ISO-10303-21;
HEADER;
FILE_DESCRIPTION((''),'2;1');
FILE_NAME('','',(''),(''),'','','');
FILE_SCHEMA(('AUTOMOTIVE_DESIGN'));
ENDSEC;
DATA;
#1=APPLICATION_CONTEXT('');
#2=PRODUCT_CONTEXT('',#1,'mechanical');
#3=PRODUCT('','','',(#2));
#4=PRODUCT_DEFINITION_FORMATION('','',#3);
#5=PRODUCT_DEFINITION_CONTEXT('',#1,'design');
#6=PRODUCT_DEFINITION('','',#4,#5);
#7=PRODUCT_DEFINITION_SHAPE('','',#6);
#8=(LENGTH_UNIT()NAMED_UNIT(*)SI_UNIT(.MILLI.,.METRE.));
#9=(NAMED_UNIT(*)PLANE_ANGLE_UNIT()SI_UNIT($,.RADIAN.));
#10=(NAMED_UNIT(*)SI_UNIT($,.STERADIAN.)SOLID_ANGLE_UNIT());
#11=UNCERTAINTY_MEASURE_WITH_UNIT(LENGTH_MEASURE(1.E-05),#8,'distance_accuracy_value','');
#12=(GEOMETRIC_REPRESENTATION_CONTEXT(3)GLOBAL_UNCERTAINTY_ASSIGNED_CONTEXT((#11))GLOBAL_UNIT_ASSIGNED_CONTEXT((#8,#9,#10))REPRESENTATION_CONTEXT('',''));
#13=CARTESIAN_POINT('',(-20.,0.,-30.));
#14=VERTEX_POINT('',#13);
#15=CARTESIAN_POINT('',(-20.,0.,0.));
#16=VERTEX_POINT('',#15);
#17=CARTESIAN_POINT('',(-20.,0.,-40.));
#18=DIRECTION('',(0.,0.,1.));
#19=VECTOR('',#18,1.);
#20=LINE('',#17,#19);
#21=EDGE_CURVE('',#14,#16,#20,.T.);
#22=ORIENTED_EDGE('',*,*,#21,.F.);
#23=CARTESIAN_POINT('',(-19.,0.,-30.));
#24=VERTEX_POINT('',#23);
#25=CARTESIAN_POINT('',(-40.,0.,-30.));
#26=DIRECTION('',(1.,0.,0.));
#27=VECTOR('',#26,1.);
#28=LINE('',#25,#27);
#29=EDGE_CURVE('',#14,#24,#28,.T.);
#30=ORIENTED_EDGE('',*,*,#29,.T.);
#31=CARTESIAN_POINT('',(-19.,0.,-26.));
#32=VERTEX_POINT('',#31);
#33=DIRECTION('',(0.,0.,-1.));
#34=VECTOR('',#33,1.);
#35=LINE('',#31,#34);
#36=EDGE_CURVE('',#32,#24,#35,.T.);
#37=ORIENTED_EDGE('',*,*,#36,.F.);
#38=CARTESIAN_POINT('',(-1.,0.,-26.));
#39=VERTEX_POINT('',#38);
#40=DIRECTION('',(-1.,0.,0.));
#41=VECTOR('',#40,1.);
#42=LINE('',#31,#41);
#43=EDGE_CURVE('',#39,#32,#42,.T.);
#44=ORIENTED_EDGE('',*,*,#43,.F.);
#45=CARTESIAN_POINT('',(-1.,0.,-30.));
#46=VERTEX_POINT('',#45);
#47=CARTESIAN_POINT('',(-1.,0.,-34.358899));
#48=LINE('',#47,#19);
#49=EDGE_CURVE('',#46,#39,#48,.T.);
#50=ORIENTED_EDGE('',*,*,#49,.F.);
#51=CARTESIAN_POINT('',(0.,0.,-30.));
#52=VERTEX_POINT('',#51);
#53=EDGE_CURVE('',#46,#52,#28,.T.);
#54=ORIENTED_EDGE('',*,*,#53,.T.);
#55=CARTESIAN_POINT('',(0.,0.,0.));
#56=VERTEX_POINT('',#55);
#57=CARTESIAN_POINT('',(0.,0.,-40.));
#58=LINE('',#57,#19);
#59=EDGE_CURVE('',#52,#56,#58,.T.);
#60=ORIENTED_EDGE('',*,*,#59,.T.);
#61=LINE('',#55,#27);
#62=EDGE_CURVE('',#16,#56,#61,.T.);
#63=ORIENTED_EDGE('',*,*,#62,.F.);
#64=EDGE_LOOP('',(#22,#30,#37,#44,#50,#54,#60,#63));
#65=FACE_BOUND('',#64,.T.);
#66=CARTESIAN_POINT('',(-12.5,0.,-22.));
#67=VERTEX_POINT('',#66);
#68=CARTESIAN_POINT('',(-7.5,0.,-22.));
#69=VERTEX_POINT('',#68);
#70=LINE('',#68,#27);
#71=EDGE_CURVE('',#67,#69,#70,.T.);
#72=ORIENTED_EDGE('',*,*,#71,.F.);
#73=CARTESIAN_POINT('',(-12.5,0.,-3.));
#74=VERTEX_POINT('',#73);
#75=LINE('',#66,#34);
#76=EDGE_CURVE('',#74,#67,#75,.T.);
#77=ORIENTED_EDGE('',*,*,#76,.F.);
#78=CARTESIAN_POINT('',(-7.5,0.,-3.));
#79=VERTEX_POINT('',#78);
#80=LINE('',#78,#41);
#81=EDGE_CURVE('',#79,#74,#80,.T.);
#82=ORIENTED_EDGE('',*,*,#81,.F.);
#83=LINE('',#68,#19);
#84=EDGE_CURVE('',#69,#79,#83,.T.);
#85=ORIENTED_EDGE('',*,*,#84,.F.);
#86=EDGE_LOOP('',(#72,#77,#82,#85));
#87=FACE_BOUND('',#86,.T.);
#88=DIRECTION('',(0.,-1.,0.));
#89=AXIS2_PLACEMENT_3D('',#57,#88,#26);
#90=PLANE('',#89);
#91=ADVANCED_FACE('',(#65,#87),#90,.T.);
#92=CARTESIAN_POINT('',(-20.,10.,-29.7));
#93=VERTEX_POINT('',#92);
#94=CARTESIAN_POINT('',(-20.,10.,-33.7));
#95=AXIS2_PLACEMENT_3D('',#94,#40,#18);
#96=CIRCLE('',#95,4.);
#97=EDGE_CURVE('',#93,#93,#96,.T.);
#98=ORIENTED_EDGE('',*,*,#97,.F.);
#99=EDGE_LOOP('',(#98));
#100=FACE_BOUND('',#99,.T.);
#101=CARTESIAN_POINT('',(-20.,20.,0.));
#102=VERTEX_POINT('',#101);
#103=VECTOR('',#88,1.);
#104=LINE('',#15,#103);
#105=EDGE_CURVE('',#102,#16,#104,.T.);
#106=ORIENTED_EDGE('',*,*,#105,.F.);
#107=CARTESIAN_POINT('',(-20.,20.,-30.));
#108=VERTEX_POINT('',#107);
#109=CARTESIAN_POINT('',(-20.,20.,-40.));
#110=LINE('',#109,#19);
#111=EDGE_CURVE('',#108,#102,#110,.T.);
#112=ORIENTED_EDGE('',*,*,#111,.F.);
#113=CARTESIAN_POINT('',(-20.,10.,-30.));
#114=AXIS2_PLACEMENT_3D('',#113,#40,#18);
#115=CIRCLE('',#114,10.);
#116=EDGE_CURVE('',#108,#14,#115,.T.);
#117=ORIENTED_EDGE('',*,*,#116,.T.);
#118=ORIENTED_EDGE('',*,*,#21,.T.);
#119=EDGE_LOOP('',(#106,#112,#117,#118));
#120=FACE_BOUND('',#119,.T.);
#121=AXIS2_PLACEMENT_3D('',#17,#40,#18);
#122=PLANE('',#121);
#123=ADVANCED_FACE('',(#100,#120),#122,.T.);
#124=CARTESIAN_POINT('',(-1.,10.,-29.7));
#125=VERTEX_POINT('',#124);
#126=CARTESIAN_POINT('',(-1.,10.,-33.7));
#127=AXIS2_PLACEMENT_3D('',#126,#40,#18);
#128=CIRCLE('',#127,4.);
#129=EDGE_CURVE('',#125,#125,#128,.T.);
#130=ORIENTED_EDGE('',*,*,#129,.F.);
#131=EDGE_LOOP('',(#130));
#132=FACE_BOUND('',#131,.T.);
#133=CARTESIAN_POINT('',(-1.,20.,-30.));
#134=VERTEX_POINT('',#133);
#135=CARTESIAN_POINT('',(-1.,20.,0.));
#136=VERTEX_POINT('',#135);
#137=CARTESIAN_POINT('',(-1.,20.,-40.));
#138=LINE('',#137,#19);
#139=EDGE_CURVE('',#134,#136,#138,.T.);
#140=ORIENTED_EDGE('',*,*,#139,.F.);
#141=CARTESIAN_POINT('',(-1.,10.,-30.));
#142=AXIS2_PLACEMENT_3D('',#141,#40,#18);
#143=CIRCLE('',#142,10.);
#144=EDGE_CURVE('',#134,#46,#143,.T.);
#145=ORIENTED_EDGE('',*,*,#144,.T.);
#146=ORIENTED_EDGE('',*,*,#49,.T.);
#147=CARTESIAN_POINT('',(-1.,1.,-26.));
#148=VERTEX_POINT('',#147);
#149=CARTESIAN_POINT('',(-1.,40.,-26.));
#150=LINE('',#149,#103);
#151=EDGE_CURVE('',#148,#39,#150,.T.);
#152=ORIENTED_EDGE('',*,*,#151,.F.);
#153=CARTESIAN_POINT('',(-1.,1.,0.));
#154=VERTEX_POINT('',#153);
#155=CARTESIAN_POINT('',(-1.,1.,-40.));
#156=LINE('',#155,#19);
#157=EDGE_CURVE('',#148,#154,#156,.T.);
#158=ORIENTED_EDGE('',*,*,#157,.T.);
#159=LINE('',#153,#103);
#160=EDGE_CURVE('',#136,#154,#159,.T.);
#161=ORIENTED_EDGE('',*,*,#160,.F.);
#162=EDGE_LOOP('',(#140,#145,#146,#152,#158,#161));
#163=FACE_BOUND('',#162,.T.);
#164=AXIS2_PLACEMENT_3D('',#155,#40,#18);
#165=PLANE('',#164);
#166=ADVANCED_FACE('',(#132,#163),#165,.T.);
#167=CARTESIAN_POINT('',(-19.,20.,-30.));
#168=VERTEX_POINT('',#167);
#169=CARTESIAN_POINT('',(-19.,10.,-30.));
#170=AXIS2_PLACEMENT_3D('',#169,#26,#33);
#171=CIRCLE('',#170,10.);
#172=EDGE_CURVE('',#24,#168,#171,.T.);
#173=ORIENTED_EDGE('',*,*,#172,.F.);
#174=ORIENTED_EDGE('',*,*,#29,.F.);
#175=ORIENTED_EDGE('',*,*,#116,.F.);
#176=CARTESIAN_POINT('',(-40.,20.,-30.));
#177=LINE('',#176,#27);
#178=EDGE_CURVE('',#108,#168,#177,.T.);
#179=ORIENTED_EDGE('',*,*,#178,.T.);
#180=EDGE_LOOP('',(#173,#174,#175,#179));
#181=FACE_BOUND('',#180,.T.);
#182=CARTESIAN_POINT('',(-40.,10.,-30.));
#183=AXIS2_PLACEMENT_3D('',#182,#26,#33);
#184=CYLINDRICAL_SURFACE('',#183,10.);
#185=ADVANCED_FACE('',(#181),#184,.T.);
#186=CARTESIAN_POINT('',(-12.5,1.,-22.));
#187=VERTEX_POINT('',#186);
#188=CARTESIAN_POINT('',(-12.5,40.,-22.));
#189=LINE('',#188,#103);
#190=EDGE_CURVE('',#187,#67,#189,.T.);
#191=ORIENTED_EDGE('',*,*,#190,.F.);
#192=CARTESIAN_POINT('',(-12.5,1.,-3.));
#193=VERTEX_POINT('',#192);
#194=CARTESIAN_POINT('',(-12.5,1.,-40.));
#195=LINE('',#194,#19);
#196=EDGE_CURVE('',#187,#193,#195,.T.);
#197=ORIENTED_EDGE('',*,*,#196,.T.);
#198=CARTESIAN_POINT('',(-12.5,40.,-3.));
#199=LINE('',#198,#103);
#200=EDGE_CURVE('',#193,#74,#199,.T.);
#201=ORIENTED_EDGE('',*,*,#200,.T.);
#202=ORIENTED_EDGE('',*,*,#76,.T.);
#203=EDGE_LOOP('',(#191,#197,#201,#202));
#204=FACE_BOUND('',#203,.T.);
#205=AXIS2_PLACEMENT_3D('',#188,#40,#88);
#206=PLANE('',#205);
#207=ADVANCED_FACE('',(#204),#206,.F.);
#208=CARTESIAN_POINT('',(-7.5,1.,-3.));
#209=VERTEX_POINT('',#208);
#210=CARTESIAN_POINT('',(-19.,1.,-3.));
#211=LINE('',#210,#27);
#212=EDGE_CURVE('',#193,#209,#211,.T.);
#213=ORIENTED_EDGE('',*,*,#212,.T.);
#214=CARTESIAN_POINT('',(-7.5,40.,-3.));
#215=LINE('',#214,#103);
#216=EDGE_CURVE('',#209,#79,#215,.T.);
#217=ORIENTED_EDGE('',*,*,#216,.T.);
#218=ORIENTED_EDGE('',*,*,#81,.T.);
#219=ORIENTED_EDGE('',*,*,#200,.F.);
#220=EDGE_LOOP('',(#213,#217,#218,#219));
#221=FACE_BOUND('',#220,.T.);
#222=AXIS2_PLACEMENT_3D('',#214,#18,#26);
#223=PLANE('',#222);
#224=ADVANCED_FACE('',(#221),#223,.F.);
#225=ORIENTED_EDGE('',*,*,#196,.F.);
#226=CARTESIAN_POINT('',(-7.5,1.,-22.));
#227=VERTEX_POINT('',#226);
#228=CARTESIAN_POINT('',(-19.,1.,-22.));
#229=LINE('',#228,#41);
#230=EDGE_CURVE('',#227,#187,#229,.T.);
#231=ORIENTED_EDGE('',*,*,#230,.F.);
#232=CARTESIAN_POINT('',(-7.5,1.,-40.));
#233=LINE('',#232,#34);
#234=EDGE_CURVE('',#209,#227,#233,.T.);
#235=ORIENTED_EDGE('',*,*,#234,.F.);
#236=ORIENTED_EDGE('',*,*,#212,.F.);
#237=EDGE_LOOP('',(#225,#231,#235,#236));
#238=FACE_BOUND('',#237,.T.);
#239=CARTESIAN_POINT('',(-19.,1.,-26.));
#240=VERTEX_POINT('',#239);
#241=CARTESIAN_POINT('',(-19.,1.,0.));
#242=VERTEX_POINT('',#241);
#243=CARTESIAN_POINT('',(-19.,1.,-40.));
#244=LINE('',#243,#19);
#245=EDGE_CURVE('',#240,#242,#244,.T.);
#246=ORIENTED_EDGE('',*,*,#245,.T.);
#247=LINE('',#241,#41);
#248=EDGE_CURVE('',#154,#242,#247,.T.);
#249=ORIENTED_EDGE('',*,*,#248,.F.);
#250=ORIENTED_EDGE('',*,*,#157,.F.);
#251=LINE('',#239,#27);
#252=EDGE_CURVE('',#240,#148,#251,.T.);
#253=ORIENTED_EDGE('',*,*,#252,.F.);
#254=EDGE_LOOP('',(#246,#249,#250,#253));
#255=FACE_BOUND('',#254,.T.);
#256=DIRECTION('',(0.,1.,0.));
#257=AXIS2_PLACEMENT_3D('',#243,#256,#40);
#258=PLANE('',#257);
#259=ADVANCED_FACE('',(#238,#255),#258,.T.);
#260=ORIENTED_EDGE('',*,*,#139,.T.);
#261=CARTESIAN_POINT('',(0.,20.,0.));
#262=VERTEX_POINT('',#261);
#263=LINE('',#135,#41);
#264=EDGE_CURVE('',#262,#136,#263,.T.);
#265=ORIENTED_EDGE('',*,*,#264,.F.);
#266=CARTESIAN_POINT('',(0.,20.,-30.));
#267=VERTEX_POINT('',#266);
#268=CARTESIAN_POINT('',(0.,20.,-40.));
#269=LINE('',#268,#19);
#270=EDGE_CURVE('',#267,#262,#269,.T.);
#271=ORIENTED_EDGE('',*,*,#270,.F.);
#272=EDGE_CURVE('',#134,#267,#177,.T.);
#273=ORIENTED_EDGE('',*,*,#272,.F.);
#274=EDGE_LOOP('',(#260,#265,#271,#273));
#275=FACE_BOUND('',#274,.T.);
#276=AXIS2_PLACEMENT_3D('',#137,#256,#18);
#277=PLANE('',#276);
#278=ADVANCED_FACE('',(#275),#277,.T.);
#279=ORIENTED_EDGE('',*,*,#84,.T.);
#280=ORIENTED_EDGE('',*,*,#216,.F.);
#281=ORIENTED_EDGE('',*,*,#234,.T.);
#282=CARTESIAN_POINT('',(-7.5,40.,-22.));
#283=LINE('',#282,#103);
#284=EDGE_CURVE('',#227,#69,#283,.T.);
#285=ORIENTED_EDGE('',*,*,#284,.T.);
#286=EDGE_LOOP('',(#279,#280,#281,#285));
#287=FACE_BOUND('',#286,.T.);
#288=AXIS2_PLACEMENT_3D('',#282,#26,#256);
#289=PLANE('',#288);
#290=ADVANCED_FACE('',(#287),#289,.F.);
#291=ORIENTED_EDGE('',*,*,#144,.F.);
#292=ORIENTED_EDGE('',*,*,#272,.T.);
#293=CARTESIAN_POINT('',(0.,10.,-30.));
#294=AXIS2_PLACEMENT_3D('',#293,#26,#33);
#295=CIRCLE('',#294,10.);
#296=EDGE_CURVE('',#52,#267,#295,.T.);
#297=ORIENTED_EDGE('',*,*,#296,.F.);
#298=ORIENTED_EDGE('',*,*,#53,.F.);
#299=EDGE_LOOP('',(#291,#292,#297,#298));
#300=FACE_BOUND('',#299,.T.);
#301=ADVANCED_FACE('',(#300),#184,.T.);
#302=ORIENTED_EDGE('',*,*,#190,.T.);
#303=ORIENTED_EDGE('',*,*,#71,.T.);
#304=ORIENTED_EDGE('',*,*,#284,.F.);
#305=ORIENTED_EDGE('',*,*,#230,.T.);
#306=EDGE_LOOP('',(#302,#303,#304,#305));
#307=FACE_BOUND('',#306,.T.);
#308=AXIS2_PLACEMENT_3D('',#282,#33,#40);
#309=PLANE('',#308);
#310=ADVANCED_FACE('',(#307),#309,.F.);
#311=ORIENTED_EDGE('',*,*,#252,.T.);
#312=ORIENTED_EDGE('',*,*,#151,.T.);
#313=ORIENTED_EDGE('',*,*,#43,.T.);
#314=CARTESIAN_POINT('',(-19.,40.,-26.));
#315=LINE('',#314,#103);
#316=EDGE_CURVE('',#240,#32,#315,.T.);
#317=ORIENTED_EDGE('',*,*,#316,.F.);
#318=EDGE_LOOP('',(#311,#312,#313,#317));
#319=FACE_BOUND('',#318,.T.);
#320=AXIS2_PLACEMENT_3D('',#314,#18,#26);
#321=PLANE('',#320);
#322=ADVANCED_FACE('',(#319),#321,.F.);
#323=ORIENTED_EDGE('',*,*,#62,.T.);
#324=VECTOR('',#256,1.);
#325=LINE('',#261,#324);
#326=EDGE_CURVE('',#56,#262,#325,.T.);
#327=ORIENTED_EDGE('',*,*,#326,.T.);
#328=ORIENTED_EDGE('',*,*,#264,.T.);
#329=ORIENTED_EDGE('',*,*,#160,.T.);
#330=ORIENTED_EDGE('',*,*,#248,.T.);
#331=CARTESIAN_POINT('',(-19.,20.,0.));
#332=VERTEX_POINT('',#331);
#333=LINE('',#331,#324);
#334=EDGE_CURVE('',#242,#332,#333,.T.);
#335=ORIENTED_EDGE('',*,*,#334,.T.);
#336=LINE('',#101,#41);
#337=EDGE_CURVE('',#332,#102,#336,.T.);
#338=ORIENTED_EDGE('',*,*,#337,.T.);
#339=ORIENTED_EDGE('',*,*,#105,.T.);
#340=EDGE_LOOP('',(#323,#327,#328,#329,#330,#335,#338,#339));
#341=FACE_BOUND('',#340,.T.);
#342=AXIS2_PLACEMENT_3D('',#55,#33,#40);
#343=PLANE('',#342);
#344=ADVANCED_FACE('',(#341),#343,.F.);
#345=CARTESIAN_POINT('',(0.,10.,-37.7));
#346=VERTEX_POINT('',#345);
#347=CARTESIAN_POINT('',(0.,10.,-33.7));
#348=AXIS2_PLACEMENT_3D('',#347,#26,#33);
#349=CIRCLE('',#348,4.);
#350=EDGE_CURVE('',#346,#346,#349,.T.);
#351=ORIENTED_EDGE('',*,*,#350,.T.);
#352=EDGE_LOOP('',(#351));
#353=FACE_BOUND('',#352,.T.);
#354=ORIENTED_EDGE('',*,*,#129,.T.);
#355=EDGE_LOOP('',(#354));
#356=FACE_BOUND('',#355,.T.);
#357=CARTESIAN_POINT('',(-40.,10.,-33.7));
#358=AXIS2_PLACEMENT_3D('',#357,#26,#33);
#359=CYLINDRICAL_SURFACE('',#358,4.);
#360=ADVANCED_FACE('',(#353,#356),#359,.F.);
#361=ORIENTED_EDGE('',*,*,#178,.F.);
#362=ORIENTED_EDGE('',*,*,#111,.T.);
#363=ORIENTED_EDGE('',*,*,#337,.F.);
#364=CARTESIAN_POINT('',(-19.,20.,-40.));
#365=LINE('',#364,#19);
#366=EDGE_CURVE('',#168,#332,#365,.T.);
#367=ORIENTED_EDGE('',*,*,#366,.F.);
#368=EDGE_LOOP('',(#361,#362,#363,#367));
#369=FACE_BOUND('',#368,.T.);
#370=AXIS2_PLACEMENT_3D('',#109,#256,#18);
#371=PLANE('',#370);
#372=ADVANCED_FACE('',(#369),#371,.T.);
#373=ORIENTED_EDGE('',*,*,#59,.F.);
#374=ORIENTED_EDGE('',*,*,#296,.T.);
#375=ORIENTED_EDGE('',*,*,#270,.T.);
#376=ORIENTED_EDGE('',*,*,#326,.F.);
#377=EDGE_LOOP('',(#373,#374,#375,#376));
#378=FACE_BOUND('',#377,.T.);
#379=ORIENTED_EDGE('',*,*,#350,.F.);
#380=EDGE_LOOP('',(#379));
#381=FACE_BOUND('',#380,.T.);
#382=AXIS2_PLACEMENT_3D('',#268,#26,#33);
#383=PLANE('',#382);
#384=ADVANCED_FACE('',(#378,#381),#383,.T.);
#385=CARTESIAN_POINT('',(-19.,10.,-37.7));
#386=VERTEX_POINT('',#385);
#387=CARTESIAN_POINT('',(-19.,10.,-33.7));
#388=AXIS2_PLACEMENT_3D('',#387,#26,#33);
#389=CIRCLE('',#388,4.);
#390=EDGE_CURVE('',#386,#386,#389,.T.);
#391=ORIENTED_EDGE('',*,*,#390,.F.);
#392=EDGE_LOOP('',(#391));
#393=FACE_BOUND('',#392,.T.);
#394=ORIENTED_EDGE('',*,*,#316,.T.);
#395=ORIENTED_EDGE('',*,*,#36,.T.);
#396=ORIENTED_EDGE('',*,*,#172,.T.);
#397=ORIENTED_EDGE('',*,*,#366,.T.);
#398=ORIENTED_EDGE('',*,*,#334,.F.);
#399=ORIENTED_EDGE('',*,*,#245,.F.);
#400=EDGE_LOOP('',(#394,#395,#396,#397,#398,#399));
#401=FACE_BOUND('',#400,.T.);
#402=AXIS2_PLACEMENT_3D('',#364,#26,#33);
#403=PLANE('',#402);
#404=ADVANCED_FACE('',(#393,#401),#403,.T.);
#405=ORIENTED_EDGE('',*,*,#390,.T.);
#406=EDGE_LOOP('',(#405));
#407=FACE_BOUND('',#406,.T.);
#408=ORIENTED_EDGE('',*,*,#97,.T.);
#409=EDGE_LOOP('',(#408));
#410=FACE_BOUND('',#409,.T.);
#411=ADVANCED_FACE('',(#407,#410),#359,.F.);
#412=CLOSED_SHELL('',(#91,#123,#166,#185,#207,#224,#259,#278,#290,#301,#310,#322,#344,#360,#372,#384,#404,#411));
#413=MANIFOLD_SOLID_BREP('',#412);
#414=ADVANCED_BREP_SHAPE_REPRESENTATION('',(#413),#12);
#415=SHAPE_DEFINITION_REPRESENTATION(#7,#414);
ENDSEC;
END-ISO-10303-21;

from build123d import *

# Parameters (mm, degrees)
SALIENTE_EXTRUIR1_DEPTH = 40
CORTAR_EXTRUIR1_DEPTH   = 40
CROQUIS3_R              = 4
CORTAR_EXTRUIR2_DEPTH   = 40
CORTAR_EXTRUIR3_DEPTH   = 40
CROQUIS5_W              = 5
CROQUIS5_H              = 19
CORTAR_EXTRUIR4_DEPTH   = 40


with BuildPart() as part:
    # Croquis1 → Saliente-Extruir1 (new body)
    with BuildSketch(Plane.XY):
        Polygon((0, 0), (-20, 0), (-20, 20), (-19, 20), (-19, 1), (-1, 1), (-1, 20), (0, 20), align=None)
    extrude(amount=-SALIENTE_EXTRUIR1_DEPTH)

    # Croquis2 → Cortar-Extruir1 (cut)
    with BuildSketch(Plane(origin=(0, 0, 0), x_dir=(0, 0, -1), z_dir=(1, 0, 0))):
        with BuildLine():
            ThreePointArc((30, 20), (37.071067812, 17.071067812), (40, 10))
            Line((40, 10), (40, 20))
            Line((40, 20), (30, 20))
        make_face()
        with BuildLine():
            Line((40, 0), (40, 10))
            ThreePointArc((40, 10), (37.071067812, 2.928932188), (30, 0))
            Line((30, 0), (40, 0))
        make_face()
    extrude(amount=-CORTAR_EXTRUIR1_DEPTH, mode=Mode.SUBTRACT)

    # Croquis3 → Cortar-Extruir2 (cut)
    with BuildSketch(Plane(origin=(0, 0, 0), x_dir=(0, 0, -1), z_dir=(1, 0, 0))):
        with Locations((33.7, 10)):
            Circle(CROQUIS3_R)
    extrude(amount=-CORTAR_EXTRUIR2_DEPTH, mode=Mode.SUBTRACT)

    # Croquis4 → Cortar-Extruir3 (cut)
    with BuildSketch(Plane(origin=(0, 0, 0), x_dir=(-1, 0, 0), z_dir=(0, -1, 0))):
        Polygon((19, 26), (1, 26), (1, 34.358898944), (9.832157659, 34.358898944), (19, 34.358898944), align=None)
    extrude(amount=-CORTAR_EXTRUIR3_DEPTH, mode=Mode.SUBTRACT)

    # Croquis5 → Cortar-Extruir4 (cut)
    with BuildSketch(Plane.XZ):
        with Locations((-10, -12.5)):
            Rectangle(CROQUIS5_W, CROQUIS5_H)
    extrude(amount=-CORTAR_EXTRUIR4_DEPTH, mode=Mode.SUBTRACT)


solid = part.part
